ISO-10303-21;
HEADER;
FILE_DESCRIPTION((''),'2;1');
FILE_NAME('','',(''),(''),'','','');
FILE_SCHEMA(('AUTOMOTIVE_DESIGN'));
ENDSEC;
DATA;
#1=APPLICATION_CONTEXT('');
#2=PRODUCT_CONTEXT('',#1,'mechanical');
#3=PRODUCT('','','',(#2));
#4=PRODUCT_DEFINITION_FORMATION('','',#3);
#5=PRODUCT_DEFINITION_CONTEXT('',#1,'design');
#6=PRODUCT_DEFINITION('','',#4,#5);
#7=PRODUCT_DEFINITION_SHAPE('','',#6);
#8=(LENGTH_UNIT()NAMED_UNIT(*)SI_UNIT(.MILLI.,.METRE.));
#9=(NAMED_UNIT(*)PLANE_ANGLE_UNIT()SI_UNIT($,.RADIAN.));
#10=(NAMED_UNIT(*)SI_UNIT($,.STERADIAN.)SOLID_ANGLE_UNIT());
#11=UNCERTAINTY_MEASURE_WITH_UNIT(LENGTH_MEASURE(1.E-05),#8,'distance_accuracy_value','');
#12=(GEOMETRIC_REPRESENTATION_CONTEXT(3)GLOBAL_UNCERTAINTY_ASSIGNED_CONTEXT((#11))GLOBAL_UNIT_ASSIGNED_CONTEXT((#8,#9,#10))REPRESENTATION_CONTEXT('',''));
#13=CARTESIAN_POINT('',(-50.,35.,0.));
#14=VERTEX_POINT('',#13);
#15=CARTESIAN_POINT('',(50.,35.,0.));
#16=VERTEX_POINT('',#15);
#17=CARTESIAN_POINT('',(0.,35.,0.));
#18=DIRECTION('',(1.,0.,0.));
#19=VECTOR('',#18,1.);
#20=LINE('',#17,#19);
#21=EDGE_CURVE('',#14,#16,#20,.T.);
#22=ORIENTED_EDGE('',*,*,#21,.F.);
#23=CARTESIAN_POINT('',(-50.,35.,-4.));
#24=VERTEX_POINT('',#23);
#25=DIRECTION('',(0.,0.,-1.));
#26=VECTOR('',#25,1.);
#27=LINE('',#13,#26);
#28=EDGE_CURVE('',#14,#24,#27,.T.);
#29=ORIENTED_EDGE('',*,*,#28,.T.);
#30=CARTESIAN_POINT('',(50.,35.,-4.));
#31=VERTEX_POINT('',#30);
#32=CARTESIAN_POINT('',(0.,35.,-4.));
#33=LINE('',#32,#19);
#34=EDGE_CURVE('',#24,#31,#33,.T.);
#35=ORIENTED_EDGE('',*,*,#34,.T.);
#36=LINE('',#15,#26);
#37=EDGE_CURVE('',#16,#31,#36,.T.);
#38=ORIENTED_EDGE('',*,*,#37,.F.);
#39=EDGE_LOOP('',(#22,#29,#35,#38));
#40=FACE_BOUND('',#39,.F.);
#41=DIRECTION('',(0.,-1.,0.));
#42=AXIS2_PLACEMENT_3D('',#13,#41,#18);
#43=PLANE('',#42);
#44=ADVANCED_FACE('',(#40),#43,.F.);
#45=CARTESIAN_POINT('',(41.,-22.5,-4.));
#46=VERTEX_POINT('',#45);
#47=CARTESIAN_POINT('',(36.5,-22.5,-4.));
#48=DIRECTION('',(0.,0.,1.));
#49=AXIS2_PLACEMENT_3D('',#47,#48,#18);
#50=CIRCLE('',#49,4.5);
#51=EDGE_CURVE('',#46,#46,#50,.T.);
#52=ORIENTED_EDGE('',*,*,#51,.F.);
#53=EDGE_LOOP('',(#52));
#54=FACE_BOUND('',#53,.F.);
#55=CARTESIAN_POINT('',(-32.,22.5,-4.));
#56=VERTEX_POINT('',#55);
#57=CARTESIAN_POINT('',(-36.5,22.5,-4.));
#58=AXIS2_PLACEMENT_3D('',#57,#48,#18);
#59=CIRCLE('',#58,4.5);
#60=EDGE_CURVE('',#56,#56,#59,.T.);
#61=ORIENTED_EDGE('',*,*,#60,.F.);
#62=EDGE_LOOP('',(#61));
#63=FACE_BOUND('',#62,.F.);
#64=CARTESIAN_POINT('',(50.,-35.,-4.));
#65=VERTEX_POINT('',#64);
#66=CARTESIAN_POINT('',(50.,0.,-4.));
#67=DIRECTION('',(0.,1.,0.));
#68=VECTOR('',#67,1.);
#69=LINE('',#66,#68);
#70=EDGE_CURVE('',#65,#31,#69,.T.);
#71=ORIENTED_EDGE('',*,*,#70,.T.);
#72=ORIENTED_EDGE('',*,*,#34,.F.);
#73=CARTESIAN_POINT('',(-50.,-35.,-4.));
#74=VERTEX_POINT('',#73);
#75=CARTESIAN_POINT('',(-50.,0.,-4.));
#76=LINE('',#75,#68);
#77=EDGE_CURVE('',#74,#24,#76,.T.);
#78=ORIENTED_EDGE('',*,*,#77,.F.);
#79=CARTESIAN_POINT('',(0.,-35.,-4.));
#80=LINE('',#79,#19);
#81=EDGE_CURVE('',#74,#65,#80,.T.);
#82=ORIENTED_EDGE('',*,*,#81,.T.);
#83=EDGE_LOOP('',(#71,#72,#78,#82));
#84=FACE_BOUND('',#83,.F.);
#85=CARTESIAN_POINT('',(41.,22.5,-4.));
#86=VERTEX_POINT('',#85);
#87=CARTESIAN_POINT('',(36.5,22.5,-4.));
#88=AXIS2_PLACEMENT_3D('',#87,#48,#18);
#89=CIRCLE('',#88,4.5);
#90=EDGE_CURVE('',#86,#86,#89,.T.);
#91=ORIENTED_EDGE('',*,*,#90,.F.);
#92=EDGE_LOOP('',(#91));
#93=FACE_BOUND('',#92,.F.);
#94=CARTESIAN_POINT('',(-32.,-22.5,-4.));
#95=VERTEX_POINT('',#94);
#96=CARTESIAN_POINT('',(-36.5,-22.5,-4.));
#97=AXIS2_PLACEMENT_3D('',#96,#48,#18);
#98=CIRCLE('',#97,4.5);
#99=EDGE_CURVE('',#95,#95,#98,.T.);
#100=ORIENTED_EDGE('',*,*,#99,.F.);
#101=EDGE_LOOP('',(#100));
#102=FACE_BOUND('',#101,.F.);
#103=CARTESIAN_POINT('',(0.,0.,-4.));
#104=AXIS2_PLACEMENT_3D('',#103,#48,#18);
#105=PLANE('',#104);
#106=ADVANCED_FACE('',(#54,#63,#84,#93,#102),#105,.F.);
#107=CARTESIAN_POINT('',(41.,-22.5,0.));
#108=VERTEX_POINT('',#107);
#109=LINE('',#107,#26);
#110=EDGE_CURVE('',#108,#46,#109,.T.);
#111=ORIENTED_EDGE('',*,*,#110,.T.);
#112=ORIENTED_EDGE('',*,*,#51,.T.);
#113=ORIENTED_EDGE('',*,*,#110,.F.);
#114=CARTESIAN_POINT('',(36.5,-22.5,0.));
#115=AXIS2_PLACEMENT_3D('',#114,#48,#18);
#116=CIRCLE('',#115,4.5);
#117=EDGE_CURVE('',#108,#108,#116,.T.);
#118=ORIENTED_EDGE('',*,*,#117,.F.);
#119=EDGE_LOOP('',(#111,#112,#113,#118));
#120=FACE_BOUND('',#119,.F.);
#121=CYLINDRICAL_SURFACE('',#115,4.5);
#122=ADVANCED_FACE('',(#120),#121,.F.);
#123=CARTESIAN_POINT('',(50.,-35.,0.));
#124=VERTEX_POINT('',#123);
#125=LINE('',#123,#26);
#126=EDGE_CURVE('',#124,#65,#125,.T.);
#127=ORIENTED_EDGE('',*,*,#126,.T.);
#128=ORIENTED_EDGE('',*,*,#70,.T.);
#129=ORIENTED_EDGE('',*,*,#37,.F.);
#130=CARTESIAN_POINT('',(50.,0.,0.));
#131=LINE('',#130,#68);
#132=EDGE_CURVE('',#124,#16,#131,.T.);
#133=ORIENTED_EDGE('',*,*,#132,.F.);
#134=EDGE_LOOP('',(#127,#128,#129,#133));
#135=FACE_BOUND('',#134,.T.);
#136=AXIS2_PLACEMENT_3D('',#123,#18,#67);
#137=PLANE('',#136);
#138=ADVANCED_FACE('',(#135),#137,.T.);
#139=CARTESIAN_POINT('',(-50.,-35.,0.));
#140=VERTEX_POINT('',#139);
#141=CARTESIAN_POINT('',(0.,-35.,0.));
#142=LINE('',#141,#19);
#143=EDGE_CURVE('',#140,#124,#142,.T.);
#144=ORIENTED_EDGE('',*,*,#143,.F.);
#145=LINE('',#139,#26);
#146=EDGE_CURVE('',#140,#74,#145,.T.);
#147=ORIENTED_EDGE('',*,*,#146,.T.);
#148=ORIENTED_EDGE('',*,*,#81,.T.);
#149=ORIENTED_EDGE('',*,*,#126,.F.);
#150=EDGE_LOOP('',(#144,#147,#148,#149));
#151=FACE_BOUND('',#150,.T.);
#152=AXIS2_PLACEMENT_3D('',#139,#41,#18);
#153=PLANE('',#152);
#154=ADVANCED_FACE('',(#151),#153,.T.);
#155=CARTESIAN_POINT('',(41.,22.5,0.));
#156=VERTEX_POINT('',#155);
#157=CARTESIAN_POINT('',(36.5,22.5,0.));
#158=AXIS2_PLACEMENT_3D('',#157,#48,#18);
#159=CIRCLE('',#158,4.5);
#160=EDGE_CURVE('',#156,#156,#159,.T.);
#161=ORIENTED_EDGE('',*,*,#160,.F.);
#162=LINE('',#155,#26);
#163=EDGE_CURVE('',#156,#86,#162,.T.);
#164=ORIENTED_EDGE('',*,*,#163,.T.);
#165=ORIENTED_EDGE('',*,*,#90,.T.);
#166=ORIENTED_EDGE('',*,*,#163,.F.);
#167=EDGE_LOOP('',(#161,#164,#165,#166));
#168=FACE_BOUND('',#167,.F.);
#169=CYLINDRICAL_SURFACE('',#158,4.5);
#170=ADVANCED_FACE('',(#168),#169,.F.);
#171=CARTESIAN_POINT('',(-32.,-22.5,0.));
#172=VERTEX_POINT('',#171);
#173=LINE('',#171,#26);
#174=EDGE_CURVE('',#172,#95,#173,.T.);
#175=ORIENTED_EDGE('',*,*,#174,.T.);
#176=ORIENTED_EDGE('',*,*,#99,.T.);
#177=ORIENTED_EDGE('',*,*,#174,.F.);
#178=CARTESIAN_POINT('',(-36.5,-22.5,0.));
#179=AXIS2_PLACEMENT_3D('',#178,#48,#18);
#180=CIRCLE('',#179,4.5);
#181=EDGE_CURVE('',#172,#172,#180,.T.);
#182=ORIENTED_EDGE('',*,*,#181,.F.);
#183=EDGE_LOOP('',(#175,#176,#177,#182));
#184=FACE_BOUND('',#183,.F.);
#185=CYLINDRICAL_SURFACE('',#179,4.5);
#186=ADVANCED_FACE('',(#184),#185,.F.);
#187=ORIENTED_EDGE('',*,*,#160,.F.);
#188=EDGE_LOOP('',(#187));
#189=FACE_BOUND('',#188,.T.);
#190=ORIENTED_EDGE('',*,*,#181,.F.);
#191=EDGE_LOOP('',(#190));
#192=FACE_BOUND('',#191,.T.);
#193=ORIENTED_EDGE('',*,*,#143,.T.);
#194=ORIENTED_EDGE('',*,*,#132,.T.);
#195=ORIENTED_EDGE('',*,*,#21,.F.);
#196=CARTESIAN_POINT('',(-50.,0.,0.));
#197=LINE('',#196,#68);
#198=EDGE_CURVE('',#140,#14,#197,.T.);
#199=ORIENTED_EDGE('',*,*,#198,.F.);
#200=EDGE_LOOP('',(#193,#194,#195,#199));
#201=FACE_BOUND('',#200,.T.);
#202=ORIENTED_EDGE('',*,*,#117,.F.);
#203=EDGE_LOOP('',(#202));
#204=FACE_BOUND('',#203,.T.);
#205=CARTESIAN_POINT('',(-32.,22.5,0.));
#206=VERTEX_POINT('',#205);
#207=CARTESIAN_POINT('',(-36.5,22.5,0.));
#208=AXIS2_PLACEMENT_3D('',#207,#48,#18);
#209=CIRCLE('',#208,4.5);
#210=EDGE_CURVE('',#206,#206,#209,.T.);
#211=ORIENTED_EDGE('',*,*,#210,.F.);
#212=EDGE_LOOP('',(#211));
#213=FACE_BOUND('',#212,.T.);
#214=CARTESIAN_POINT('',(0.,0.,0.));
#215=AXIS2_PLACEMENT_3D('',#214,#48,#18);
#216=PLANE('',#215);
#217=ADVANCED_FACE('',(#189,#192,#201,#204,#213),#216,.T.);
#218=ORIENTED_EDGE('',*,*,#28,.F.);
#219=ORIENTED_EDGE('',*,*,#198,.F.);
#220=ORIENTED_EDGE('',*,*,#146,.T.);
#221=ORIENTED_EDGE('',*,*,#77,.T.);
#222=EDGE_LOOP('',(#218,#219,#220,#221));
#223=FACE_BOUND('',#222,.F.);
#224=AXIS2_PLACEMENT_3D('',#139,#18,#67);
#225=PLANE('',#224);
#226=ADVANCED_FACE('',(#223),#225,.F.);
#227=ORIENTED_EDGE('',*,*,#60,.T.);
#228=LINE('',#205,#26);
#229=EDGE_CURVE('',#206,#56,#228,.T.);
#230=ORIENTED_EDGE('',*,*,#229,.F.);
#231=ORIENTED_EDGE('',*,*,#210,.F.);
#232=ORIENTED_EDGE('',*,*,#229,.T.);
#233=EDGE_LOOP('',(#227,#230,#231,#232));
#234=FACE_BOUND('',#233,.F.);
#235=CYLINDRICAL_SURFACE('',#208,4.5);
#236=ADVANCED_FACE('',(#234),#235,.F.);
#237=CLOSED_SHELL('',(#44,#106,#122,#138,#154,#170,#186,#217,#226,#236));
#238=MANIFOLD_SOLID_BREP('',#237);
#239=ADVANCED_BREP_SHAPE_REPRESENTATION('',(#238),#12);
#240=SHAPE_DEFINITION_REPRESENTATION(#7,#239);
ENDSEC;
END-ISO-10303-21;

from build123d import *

# Parameters (mm, degrees)
F0_W     = 100
F0_H     = 70
F1_DEPTH = 4
F2_R     = 4.5
F3_DEPTH = 4


with BuildPart() as f1:
    # F0 (on Top) → F1 (new body)
    with BuildSketch(Plane.XY):
        Rectangle(F0_W, F0_H)
    extrude(amount=-F1_DEPTH)

    # F2 (on face) → F3 (cut, through all)
    with BuildSketch(Plane.XY):
        with Locations((-36.5, 22.5)):
            Circle(F2_R)
        with Locations((36.5, 22.5)):
            Circle(F2_R)
        with Locations((-36.5, -22.5)):
            Circle(F2_R)
        with Locations((36.5, -22.5)):
            Circle(F2_R)
    extrude(amount=-F3_DEPTH, mode=Mode.SUBTRACT)


solid = f1.part
